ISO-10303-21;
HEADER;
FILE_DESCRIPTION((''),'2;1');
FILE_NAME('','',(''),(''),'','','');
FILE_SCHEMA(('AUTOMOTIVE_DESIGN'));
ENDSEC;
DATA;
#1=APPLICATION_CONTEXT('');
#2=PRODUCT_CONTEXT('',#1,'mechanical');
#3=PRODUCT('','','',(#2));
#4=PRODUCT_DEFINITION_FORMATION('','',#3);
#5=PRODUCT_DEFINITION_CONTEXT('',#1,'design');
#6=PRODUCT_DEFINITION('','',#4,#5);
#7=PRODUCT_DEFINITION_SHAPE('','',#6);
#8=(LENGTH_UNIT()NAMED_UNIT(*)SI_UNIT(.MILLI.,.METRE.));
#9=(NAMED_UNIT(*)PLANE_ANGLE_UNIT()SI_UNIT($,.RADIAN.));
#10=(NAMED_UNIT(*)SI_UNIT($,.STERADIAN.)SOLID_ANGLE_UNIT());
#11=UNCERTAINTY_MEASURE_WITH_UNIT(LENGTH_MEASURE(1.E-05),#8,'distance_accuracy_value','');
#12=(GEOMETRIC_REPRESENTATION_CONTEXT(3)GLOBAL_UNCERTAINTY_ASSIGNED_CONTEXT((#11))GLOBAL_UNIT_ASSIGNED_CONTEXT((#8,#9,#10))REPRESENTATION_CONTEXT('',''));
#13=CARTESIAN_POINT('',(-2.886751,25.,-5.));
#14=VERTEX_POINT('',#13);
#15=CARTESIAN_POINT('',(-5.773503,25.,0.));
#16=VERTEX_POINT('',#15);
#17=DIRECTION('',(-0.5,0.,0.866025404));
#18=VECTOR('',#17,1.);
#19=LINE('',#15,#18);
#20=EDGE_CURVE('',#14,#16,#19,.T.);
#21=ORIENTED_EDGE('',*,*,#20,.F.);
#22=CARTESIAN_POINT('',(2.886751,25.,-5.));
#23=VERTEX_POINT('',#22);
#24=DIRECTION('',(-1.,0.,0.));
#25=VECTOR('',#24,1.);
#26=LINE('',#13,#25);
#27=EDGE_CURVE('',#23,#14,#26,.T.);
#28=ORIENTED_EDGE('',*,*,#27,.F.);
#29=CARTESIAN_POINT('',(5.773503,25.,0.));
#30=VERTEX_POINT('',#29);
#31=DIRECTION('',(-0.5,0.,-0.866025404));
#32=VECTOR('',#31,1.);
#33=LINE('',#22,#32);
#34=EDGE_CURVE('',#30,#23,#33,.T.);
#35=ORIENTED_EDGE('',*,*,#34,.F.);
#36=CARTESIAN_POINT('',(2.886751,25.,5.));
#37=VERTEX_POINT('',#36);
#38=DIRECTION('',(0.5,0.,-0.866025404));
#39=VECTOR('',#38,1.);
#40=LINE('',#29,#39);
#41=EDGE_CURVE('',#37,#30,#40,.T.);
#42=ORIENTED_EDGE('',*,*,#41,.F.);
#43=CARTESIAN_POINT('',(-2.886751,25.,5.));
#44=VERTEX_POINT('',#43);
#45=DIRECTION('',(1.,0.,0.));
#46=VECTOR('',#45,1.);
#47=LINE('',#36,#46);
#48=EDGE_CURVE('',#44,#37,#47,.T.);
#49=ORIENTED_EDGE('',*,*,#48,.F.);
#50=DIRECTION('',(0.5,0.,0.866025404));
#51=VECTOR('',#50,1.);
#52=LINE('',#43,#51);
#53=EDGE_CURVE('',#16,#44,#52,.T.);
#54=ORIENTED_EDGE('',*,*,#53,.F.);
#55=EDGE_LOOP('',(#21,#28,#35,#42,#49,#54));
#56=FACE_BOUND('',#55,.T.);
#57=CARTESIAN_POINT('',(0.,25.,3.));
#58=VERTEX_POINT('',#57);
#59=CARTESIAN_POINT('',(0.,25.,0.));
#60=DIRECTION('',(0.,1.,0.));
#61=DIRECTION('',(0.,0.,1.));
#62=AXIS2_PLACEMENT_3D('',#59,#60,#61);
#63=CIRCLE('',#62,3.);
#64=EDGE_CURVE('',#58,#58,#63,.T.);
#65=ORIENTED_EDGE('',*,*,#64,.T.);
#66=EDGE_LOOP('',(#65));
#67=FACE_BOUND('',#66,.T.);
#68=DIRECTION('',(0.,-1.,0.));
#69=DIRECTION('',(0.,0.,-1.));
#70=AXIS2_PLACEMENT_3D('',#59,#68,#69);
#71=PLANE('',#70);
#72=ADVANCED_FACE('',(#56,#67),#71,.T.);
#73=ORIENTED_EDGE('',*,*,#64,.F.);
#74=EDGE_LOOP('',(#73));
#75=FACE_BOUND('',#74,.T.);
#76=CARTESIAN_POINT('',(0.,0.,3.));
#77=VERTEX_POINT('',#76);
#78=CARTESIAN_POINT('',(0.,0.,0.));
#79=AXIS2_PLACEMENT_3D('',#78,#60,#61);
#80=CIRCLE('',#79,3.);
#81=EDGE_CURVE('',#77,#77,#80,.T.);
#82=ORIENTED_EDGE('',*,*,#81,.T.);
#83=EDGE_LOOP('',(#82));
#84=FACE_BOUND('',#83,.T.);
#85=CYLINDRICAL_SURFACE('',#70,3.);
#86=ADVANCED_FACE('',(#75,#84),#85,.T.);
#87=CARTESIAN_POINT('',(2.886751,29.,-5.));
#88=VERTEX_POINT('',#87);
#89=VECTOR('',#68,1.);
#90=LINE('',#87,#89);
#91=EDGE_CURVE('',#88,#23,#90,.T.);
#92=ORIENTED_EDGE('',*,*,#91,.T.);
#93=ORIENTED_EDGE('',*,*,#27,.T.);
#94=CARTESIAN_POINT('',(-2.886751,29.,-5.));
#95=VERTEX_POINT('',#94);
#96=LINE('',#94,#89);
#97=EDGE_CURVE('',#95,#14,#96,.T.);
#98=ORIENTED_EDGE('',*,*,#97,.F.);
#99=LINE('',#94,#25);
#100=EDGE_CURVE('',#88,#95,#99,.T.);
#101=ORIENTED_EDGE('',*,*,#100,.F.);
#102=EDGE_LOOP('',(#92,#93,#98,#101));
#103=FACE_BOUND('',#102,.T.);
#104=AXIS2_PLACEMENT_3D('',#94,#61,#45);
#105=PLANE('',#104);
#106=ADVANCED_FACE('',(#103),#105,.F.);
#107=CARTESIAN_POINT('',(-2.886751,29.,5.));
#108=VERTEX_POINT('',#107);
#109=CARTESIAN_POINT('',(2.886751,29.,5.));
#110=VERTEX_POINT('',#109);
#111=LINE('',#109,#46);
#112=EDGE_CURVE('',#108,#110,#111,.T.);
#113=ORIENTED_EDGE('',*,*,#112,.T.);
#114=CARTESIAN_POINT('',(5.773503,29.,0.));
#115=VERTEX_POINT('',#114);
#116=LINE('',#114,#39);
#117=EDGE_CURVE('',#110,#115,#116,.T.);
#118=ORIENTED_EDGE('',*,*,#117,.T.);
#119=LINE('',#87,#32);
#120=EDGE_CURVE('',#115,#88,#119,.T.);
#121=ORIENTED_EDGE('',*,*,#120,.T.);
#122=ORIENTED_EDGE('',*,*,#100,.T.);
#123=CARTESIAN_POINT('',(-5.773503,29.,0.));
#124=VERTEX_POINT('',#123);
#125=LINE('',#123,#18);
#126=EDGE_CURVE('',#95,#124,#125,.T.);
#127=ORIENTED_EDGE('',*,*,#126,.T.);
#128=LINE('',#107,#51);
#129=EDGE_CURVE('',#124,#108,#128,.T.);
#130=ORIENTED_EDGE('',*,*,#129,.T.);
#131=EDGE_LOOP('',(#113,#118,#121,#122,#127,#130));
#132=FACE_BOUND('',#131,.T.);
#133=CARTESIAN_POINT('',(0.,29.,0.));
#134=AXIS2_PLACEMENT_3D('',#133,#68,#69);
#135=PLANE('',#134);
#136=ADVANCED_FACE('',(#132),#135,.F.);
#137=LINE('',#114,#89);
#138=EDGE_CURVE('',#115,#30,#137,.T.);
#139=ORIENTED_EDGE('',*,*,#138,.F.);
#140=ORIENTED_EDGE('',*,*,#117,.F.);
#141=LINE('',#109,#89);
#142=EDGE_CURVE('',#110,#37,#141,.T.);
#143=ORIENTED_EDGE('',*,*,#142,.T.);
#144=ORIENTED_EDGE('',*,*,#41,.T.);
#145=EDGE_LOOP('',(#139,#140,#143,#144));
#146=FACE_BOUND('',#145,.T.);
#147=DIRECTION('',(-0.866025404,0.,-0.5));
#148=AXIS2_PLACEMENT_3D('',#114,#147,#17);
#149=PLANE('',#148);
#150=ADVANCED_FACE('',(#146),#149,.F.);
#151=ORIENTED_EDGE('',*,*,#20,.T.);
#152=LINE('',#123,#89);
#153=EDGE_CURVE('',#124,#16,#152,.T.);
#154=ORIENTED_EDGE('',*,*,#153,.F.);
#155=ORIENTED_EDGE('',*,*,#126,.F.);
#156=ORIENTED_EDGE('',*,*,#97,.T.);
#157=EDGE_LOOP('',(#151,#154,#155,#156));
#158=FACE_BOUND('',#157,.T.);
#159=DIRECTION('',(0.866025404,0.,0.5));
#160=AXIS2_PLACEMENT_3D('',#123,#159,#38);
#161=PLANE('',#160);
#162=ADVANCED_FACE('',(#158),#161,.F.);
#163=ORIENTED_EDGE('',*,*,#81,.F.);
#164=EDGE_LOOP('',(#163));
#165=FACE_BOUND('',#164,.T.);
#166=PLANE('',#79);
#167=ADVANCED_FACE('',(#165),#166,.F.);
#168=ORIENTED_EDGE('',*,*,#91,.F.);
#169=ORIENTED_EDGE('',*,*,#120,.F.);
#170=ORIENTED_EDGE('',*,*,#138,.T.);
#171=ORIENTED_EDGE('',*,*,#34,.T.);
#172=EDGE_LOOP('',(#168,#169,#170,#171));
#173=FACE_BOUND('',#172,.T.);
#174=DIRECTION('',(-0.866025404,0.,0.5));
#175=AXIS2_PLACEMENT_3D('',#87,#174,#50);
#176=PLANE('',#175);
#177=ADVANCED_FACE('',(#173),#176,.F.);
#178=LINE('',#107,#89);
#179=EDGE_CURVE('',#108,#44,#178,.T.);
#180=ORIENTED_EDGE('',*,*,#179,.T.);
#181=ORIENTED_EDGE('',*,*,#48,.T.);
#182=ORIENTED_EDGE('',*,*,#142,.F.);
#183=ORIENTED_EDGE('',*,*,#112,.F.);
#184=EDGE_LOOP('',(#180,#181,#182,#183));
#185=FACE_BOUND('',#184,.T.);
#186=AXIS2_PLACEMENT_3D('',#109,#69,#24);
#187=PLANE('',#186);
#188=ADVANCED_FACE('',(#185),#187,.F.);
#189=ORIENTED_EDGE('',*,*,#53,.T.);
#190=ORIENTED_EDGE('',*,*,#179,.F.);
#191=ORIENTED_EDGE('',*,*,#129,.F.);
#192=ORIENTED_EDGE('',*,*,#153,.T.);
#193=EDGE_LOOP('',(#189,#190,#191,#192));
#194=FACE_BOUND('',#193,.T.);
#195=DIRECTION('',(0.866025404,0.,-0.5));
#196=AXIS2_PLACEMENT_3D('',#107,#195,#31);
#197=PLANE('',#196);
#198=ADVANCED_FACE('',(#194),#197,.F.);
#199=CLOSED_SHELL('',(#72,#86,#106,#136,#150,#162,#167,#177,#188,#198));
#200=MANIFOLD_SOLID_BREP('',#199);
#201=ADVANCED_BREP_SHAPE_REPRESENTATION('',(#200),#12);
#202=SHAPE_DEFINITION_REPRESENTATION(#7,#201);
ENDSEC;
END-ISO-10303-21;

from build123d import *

# Parameters (mm, degrees)
SHANK_PROFILE_R = 3
SHANK_DEPTH     = 25
HEAD_START      = 25
HEAD_DEPTH      = 4


with BuildPart() as part:
    # Shank Profile → Shank (new body)
    with BuildSketch(Plane(origin=(0, 0, 0), x_dir=(1, 0, 0), z_dir=(0, 1, 0))):
        with Locations(Location((0, 0, 0), (0, 0, 270))):
            Circle(SHANK_PROFILE_R)
    extrude(amount=SHANK_DEPTH)

    # Head Profile → Head (add)
    with BuildSketch(Plane(origin=(0, 0, 0), x_dir=(1, 0, 0), z_dir=(0, 1, 0)).offset(HEAD_START)):
        Polygon((5.773502692, 0), (2.886751346, -5), (-2.886751346, -5), (-5.773502692, 0), (-2.886751346, 5), (2.886751346, 5), align=None)
    extrude(amount=HEAD_DEPTH)


solid = part.part
